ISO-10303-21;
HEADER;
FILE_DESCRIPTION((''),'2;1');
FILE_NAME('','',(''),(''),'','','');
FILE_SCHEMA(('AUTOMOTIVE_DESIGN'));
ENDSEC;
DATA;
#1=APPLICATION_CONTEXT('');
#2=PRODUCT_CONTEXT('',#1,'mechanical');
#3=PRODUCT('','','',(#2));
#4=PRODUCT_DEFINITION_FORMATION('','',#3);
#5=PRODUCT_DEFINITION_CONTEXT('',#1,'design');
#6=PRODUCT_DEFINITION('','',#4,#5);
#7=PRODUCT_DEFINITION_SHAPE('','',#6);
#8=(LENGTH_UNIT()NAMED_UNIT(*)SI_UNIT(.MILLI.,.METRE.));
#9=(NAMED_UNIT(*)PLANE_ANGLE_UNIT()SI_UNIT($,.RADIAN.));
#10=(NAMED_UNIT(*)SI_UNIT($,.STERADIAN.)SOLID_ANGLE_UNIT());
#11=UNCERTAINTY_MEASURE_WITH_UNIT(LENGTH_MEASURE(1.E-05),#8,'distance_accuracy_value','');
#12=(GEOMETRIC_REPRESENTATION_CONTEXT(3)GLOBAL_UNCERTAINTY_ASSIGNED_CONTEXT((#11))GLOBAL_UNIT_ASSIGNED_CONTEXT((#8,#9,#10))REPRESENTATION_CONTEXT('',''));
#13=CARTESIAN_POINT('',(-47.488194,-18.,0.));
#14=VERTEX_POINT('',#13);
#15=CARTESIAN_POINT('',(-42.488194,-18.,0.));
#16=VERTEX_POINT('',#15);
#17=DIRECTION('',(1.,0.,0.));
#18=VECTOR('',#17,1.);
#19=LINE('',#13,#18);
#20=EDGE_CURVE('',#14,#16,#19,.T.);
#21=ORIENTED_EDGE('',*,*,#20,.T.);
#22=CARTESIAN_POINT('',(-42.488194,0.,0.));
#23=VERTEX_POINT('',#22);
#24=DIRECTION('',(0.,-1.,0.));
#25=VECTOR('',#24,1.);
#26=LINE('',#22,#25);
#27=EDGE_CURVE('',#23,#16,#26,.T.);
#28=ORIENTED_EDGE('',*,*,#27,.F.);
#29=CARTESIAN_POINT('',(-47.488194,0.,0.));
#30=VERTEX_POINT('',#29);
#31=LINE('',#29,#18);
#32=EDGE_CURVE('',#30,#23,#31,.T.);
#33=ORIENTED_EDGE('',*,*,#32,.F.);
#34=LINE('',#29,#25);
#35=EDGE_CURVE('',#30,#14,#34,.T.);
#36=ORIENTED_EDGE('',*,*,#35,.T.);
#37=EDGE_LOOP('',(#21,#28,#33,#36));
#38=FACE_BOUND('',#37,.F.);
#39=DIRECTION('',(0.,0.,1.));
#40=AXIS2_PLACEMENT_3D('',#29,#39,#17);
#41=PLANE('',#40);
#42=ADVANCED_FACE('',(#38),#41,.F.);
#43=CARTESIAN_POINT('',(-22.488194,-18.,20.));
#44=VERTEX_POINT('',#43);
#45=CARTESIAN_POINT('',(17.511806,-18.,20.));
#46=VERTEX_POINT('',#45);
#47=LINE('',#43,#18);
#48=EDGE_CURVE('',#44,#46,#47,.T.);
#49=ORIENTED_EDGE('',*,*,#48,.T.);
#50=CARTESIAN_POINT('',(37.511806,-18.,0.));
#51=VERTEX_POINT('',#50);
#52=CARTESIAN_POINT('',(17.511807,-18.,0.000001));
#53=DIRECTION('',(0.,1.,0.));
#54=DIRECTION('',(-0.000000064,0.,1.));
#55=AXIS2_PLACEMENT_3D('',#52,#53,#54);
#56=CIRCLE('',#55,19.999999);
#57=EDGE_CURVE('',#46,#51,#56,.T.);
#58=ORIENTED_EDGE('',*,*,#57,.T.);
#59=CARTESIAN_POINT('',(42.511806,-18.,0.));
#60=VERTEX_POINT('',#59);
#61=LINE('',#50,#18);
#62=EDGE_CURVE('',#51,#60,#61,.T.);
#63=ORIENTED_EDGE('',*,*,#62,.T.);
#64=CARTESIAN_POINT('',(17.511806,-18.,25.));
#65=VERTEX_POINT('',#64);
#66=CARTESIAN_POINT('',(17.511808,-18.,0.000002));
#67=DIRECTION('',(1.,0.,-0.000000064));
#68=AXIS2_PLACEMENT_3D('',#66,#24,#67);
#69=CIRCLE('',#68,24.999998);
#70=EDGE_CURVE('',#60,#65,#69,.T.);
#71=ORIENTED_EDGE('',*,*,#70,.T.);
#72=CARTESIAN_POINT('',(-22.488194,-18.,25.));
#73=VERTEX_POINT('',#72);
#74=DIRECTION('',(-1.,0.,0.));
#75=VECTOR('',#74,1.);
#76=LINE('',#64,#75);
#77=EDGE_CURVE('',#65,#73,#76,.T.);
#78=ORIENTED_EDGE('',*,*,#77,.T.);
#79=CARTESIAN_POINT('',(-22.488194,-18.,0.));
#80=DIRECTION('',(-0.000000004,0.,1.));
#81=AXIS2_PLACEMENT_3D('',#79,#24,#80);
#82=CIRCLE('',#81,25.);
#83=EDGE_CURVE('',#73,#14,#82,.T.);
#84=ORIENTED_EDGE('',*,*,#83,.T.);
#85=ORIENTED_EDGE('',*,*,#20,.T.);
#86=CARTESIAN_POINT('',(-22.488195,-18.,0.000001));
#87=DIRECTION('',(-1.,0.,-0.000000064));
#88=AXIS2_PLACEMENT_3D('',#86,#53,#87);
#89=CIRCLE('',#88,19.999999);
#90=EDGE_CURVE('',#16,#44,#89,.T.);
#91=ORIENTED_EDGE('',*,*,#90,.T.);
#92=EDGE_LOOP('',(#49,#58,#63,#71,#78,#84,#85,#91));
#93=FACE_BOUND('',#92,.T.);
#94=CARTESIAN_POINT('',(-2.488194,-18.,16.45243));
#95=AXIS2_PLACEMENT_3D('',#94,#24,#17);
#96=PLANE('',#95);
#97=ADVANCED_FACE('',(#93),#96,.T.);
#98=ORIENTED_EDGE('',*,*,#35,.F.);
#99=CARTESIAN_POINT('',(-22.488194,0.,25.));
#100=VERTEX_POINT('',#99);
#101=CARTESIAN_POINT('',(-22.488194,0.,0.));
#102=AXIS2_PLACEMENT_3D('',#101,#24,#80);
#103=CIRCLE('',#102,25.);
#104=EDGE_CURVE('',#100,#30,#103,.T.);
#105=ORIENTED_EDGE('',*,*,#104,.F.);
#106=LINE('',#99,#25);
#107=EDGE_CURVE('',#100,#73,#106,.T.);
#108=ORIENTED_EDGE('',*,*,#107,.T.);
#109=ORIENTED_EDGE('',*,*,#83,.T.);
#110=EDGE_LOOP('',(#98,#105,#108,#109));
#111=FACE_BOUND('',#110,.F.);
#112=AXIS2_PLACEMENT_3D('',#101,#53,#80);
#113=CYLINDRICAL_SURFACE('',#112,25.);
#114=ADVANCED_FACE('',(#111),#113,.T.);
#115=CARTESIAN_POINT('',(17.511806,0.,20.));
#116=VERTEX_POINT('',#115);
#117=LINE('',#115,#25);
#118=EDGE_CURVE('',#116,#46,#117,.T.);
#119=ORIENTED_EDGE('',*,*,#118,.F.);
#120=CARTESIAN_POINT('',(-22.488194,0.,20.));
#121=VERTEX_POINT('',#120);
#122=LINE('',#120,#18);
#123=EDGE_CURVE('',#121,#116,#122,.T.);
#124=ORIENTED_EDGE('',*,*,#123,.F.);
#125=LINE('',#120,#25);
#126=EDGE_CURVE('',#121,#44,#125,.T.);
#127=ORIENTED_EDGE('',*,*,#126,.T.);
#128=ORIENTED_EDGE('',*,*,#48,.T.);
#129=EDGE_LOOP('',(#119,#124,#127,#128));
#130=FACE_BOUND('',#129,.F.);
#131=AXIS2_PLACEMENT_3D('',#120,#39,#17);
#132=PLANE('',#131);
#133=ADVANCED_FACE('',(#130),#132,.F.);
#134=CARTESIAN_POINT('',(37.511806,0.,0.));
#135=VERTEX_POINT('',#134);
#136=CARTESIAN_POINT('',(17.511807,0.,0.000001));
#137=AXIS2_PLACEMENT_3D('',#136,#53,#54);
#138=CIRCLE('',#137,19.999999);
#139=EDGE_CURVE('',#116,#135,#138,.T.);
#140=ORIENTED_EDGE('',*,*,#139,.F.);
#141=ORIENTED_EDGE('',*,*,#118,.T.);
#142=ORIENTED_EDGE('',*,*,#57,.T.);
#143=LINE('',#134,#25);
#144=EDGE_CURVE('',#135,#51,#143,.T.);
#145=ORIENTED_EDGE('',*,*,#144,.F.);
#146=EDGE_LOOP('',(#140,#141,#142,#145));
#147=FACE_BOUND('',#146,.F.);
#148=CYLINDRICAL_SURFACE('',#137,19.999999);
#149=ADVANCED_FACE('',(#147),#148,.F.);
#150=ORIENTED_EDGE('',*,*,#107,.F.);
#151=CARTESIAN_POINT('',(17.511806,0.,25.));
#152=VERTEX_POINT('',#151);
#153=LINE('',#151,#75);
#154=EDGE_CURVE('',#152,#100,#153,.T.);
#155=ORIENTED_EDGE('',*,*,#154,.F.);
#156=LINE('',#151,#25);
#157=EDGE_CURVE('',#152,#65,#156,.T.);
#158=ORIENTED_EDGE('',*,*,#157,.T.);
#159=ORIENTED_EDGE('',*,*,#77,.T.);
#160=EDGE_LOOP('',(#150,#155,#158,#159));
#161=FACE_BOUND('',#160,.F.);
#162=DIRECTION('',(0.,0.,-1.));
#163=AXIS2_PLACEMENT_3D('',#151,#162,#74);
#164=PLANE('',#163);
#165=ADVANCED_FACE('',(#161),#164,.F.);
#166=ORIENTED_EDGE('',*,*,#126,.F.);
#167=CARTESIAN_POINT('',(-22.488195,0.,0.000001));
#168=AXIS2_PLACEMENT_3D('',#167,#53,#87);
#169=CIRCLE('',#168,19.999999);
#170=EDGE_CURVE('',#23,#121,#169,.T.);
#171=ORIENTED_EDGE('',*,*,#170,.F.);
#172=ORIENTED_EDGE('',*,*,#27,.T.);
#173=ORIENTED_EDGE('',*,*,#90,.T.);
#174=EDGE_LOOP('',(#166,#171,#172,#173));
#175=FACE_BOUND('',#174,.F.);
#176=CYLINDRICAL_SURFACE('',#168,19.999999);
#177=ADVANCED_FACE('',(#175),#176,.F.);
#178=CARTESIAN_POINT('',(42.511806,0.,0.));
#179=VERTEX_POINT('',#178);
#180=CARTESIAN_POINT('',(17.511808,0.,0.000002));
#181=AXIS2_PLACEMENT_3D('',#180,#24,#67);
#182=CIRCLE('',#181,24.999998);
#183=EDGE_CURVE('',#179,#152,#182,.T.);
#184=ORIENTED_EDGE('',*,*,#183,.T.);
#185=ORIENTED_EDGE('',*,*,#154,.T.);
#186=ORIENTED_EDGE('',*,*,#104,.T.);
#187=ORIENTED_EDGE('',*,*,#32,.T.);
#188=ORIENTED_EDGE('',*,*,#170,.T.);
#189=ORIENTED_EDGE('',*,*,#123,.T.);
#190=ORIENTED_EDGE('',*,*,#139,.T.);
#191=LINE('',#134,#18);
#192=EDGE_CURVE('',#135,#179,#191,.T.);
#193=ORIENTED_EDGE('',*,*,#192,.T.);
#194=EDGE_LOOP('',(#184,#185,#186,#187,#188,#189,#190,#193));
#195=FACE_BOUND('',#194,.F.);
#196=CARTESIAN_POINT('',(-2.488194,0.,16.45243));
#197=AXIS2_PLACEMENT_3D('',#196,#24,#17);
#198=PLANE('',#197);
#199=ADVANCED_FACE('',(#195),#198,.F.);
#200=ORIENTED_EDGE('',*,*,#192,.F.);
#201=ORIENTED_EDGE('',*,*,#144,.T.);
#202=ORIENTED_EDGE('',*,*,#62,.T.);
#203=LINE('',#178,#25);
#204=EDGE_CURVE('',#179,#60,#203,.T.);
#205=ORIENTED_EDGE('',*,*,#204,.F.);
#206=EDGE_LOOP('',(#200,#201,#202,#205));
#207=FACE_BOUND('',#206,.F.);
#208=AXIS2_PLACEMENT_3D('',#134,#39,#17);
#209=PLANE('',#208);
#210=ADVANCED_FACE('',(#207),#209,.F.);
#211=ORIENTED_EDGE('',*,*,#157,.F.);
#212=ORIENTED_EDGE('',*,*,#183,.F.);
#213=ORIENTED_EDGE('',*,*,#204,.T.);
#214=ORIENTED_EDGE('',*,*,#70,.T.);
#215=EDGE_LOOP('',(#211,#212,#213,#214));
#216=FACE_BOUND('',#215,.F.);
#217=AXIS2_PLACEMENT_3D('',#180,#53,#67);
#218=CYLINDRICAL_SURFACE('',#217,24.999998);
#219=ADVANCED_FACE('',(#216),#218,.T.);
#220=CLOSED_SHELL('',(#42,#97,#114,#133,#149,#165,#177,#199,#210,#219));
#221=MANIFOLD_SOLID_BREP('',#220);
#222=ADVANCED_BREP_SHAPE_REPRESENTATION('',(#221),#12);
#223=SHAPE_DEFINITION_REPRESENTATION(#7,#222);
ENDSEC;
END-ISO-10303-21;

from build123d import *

# Parameters (mm, degrees)
F1_DEPTH = 18


with BuildPart() as f1:
    # F0 (on Front) → F1 (new body)
    with BuildSketch(Plane.XZ):
        with BuildLine():
            ThreePointArc((-42.488194, 0), (-36.63033, 14.142136), (-22.488194, 20))
            Line((-22.488194, 20), (-2.488194, 20))
            Line((-2.488194, 20), (17.511806, 20))
            ThreePointArc((17.511806, 20), (31.653942, 14.142136), (37.511806, 0))
            Line((37.511806, 0), (42.511806, 0))
            ThreePointArc((42.511806, 0), (35.189476, 17.67767), (17.511806, 25))
            Line((17.511806, 25), (-2.488194, 25))
            Line((-2.488194, 25), (-22.488194, 25))
            ThreePointArc((-22.488194, 25), (-40.165863, 17.67767), (-47.488194, 0))
            Line((-47.488194, 0), (-42.488194, 0))
        make_face()
    extrude(amount=F1_DEPTH)


solid = f1.part
